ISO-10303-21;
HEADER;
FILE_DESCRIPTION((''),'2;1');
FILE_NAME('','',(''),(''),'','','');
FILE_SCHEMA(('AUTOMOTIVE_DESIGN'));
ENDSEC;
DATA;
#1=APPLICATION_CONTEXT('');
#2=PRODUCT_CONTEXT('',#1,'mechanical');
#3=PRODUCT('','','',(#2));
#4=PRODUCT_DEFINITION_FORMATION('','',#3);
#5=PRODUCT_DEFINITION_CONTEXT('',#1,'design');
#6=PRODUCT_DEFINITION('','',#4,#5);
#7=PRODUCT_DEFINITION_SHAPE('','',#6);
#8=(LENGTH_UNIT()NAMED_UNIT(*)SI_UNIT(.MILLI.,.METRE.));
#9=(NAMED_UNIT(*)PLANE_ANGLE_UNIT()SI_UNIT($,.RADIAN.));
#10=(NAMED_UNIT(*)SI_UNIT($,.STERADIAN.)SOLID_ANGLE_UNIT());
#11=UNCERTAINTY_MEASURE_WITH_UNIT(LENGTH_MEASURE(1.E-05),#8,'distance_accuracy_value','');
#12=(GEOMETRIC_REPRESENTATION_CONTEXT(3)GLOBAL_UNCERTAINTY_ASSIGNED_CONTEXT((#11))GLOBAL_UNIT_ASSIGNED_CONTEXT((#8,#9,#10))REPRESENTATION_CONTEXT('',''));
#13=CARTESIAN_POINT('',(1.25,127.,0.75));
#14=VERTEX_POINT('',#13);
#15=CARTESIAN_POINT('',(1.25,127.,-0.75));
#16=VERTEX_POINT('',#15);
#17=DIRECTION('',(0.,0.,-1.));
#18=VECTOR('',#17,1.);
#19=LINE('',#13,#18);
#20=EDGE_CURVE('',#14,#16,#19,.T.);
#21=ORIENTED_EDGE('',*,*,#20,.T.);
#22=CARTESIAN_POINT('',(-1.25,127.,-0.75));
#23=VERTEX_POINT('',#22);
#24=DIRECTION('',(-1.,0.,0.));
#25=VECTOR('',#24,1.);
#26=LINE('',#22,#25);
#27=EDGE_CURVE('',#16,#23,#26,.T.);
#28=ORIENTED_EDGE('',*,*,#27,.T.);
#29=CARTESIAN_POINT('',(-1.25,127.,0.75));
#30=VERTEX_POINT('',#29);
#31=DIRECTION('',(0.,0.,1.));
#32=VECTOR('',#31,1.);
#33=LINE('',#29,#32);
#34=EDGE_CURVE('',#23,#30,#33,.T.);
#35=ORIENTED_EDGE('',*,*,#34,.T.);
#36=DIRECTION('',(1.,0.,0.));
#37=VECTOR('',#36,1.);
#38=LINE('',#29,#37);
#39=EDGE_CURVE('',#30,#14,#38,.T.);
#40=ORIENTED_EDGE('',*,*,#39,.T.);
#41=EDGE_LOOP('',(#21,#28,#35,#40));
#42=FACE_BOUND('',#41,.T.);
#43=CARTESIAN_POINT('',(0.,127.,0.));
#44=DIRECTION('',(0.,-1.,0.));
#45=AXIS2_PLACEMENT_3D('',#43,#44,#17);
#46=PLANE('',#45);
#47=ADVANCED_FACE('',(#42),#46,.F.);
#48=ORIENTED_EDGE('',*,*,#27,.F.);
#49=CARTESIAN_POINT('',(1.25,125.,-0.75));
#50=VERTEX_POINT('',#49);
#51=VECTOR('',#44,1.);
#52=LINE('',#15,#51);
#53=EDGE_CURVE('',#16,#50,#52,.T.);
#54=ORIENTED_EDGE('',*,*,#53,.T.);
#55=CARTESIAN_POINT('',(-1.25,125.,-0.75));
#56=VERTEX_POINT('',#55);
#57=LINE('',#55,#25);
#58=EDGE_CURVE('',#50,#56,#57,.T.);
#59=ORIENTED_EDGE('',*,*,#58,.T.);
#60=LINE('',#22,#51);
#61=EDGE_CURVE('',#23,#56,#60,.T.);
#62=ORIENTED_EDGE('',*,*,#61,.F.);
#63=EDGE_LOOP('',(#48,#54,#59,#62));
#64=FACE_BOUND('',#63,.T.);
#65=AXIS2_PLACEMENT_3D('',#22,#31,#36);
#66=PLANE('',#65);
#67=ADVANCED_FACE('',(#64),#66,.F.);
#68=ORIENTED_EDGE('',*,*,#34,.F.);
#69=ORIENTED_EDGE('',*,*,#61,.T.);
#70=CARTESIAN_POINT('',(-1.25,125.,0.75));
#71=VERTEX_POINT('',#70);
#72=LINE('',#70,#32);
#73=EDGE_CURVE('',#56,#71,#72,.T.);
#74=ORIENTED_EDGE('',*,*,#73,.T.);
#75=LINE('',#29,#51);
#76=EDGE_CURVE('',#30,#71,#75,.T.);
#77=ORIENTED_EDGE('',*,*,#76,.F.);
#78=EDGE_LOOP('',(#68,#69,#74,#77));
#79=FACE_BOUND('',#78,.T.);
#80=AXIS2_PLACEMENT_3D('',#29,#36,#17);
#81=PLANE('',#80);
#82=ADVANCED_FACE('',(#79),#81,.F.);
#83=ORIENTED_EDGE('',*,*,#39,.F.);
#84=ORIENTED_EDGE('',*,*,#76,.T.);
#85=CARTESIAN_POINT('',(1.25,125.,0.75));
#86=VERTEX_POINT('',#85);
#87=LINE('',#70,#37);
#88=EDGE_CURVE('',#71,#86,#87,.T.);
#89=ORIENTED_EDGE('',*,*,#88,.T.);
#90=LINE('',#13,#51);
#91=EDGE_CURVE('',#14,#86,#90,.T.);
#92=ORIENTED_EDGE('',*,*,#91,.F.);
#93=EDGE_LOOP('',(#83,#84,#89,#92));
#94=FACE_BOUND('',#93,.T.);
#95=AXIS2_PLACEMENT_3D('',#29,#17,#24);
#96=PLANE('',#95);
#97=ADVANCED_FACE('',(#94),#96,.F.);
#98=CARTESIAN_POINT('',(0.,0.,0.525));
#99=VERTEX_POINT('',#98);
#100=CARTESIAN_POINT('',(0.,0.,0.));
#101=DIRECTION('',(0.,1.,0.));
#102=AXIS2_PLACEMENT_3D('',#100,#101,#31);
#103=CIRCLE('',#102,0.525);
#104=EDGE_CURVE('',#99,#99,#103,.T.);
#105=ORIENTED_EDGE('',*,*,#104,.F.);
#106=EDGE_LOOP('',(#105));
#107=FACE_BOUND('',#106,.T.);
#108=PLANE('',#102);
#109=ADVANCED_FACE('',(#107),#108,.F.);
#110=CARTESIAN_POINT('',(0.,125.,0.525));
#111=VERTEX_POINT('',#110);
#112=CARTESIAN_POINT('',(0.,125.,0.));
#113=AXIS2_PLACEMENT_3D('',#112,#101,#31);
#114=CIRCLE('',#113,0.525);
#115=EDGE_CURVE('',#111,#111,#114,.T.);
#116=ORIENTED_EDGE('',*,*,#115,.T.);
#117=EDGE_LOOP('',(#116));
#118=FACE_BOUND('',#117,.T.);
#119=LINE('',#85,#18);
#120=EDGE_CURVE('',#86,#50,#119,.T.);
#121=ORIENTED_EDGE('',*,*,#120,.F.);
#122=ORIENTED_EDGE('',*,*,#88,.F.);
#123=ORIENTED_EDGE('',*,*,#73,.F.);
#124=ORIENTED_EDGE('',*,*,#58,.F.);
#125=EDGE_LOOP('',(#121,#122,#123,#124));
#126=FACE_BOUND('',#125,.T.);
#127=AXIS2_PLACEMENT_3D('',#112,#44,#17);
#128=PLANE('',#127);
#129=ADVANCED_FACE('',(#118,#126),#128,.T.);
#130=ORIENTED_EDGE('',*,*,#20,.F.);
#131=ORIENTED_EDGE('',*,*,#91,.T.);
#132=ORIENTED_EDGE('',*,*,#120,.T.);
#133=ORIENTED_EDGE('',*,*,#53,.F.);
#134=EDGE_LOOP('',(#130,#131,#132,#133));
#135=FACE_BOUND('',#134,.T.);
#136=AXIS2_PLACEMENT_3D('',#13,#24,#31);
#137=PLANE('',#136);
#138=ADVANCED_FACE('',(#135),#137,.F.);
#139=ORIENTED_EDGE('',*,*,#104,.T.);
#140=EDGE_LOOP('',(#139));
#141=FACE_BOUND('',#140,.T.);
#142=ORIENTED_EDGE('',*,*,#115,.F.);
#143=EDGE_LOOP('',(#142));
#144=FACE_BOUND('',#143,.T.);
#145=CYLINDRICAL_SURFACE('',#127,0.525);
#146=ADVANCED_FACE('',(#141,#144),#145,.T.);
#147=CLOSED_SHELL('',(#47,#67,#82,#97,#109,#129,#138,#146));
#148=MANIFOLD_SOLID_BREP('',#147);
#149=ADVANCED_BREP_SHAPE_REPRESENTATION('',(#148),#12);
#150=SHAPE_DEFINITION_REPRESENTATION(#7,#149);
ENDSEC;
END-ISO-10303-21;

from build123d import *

# Parameters (mm, degrees)
SKETCH_1_R      = 0.525
EXTRUDE_1_DEPTH = 125
SKETCH_2_W      = 2.5
SKETCH_2_H      = 1.5
EXTRUDE_6_DEPTH = 2


with BuildPart() as part:
    # 草图1 → 凸台-拉伸1 (new body)
    with BuildSketch(Plane(origin=(0, 0, 0), x_dir=(1, 0, 0), z_dir=(0, 1, 0))):
        with Locations(Location((0, 0, 0), (0, 0, 270))):
            Circle(SKETCH_1_R)
    extrude(amount=EXTRUDE_1_DEPTH)

    # 草图2 → 凸台-拉伸6 (add)
    with BuildSketch(Plane(origin=(0, 125, 0), x_dir=(1, 0, 0), z_dir=(0, 1, 0))):
        Rectangle(SKETCH_2_W, SKETCH_2_H)
    extrude(amount=EXTRUDE_6_DEPTH)


solid = part.part
